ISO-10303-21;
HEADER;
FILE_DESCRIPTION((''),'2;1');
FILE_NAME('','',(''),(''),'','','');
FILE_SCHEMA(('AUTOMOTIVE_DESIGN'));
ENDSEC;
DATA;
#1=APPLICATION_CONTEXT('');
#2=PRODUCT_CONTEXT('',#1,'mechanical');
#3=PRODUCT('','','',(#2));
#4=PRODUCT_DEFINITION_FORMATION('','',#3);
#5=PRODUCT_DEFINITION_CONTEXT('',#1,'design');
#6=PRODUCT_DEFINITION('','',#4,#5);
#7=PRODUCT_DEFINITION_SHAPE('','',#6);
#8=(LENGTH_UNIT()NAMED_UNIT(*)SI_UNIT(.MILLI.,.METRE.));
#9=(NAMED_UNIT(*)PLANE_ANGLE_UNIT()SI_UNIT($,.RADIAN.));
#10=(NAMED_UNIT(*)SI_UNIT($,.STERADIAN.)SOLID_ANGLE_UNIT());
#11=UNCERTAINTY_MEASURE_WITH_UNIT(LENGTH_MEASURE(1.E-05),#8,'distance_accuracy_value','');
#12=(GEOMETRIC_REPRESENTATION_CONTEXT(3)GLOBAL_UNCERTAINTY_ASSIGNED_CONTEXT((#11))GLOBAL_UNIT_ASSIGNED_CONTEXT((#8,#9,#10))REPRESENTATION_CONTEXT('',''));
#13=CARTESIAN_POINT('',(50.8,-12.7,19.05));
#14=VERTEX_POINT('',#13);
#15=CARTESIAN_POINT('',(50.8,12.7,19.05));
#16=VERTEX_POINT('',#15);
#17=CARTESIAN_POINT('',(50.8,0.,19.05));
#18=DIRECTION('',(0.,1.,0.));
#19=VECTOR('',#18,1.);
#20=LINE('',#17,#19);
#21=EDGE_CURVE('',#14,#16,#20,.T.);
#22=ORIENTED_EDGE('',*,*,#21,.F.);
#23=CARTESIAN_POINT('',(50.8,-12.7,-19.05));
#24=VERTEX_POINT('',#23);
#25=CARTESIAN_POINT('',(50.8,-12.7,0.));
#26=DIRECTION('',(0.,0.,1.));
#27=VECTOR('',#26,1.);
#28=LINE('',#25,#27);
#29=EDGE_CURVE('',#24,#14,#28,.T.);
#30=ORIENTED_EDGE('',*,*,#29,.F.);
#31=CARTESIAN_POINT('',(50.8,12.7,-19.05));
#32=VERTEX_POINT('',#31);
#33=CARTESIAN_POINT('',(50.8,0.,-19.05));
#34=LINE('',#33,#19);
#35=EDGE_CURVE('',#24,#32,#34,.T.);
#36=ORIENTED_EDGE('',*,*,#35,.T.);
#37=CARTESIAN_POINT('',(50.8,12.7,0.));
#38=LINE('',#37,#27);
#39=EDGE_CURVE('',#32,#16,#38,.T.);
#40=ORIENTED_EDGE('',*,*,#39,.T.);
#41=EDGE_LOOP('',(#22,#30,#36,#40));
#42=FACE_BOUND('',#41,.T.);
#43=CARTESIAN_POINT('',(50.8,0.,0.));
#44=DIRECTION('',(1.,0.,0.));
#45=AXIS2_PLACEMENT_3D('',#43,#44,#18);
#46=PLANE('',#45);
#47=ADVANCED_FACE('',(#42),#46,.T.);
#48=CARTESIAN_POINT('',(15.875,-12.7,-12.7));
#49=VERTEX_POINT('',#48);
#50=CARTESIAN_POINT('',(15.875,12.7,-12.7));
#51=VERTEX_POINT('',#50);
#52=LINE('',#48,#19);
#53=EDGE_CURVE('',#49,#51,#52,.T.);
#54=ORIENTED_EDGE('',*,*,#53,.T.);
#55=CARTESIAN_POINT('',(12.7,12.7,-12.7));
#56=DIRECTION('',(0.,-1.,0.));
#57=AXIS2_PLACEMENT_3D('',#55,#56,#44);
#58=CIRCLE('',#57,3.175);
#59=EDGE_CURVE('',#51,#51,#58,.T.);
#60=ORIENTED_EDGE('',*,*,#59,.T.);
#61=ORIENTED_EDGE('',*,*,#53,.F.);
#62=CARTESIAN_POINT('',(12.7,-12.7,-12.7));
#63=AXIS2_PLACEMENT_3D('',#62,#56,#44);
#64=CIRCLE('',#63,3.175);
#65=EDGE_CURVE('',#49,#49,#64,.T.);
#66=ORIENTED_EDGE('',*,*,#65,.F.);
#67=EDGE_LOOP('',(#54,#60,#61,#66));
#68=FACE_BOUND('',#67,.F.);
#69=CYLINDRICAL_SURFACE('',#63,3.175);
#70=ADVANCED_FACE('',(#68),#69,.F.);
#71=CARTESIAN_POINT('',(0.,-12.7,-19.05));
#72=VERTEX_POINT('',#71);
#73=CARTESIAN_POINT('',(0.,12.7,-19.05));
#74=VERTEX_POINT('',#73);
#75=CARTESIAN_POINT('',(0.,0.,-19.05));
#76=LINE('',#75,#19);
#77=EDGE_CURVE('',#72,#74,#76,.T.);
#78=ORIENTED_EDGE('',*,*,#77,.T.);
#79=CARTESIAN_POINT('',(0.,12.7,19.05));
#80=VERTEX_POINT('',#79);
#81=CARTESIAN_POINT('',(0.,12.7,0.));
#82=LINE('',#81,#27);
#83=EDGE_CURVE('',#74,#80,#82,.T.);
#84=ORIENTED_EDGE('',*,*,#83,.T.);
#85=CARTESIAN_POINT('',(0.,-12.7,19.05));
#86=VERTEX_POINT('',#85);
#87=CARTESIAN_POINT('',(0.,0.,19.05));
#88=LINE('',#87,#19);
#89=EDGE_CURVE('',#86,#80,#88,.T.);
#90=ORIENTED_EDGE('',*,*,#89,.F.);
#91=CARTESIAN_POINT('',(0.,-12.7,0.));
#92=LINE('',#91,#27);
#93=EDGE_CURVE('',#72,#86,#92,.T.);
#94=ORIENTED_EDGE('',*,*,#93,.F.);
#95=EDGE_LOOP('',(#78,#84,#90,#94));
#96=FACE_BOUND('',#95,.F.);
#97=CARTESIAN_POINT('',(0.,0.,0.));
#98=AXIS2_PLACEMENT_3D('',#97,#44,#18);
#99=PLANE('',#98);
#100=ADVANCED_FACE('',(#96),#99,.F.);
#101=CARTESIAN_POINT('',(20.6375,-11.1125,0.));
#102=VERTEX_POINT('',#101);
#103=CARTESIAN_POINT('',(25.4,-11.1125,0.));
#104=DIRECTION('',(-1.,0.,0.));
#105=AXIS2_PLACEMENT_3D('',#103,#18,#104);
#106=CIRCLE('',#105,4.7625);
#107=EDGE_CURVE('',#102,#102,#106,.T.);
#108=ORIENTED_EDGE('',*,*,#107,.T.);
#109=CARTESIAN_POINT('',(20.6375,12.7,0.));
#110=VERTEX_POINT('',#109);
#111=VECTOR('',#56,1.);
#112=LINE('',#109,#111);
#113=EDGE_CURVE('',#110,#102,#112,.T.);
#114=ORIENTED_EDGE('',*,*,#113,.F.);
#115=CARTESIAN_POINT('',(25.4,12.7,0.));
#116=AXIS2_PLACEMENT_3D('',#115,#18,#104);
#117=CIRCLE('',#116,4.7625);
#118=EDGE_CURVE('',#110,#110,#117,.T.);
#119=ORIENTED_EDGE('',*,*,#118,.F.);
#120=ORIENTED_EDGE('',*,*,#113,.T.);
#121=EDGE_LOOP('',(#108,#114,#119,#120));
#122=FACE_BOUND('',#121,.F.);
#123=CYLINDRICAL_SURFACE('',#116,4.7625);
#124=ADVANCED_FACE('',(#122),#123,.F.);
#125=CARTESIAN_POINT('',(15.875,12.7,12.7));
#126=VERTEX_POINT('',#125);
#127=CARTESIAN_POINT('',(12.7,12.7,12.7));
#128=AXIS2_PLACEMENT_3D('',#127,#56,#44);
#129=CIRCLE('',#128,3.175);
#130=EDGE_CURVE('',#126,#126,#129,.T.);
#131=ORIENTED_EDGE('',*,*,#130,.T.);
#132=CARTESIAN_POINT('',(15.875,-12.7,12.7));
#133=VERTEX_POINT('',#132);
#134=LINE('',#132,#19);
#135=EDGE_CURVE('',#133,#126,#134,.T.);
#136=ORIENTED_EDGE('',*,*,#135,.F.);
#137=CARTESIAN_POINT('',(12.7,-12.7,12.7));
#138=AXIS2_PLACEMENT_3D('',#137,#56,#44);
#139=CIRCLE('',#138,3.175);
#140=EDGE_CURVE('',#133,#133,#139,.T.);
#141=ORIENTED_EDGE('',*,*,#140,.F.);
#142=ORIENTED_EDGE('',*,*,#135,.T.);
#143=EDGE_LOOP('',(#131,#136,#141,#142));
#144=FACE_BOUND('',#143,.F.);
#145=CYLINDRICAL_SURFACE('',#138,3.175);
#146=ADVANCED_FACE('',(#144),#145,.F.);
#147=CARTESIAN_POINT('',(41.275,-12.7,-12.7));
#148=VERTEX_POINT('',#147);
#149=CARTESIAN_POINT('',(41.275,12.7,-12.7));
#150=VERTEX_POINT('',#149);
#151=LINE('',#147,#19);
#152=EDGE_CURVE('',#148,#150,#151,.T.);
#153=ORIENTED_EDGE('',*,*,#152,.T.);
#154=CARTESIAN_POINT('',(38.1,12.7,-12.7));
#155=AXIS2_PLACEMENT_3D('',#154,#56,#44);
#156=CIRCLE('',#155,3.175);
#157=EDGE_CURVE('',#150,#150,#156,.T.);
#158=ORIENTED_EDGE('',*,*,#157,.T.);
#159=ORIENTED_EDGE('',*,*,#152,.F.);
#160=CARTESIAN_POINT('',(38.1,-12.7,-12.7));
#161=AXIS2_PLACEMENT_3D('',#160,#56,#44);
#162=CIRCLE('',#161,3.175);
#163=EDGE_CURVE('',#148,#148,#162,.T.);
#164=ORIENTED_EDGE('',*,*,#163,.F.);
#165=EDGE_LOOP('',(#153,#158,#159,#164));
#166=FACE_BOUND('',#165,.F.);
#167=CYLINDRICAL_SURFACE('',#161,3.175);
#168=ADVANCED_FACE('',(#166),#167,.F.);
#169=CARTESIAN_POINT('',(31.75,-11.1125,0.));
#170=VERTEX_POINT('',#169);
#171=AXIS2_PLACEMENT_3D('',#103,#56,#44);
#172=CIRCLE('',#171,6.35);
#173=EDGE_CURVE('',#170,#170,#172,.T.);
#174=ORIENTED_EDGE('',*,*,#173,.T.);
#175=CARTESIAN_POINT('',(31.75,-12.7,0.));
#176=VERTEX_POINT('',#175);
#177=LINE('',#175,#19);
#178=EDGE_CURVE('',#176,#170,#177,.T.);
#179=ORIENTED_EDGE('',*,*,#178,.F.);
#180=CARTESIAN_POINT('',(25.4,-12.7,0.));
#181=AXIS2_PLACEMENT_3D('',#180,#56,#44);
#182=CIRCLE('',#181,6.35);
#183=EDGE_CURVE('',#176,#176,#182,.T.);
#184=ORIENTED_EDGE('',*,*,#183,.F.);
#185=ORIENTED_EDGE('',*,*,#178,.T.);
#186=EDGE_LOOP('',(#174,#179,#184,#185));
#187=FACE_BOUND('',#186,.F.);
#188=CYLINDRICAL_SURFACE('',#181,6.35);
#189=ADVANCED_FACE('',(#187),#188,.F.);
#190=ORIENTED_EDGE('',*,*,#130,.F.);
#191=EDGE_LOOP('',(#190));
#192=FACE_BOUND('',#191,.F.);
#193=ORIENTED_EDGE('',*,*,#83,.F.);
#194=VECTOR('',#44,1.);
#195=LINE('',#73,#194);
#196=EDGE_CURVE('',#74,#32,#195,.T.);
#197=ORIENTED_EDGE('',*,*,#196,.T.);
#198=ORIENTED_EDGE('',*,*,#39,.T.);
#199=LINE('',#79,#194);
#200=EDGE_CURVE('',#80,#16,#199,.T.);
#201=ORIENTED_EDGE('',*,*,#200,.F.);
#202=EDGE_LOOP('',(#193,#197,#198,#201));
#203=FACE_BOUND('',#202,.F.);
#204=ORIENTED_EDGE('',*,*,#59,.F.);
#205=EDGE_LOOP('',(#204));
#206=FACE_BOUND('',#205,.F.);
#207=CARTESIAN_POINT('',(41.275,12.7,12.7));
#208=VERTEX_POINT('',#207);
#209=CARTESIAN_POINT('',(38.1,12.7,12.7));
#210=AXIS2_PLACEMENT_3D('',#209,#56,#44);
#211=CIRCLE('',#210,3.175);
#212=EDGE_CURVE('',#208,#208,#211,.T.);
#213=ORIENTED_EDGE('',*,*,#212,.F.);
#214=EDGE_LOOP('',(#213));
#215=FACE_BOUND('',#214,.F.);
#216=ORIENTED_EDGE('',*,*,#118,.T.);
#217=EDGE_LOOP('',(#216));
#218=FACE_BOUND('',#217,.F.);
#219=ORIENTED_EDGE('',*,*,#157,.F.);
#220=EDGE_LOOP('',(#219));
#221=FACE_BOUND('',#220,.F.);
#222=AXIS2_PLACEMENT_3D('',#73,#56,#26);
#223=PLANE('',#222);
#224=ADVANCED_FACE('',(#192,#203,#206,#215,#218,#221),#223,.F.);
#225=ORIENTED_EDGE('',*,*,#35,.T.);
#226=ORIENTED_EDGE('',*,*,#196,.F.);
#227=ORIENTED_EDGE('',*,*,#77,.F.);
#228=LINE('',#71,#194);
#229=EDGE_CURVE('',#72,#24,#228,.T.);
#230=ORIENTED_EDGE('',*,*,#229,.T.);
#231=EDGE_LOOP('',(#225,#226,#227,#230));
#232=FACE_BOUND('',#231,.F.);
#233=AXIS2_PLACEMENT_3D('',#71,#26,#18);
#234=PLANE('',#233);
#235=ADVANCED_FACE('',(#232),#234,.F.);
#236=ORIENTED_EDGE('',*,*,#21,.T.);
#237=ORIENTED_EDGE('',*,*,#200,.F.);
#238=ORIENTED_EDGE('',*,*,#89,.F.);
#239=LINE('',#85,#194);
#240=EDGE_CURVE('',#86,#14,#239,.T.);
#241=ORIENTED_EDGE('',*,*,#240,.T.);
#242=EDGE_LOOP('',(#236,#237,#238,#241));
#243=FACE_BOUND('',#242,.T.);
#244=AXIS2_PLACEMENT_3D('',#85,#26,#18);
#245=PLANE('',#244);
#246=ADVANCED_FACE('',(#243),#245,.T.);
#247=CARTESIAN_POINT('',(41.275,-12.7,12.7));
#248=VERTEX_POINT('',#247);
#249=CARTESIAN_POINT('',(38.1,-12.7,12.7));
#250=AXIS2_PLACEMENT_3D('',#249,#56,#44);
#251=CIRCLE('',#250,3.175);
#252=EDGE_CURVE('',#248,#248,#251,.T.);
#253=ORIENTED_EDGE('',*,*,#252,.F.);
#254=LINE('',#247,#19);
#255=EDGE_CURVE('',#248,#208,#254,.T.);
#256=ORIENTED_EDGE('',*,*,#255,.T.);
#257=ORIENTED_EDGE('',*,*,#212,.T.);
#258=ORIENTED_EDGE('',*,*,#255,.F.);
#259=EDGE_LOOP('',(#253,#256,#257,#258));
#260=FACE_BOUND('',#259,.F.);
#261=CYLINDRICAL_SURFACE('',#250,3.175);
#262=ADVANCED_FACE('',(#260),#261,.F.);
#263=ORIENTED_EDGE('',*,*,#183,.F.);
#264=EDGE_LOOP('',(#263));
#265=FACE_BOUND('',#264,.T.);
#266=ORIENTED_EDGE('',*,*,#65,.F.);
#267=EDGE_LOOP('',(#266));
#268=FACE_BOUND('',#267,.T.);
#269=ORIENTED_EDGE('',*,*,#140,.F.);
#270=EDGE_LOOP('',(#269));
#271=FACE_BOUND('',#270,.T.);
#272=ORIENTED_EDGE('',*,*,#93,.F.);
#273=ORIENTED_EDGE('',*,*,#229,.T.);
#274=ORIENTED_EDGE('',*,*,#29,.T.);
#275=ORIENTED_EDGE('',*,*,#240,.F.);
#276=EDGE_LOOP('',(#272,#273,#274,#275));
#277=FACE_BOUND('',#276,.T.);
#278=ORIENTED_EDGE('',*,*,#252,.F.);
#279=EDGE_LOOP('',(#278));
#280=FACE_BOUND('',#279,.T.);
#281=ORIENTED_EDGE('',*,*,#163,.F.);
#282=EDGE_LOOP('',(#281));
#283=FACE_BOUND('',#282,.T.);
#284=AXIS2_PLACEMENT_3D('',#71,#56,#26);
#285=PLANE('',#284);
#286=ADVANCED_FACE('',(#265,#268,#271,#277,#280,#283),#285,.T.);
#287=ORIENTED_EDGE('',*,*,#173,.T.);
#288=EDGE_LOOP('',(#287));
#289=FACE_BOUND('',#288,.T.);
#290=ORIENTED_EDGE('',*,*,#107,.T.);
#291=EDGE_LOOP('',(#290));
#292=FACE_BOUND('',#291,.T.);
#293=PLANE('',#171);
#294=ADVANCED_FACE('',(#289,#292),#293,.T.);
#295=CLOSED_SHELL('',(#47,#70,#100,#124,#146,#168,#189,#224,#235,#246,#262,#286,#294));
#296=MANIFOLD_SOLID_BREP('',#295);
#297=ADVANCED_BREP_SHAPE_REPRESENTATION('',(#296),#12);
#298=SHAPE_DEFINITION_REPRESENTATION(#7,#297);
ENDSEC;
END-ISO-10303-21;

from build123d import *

# Parameters (mm, degrees)
F0_W     = 25.4
F0_H     = 38.1
F1_DEPTH = 50.8
F2_R     = 3.175
F3_DEPTH = 25.4
F4_R     = 6.35
F5_DEPTH = 1.5875
F6_R     = 4.7625
F7_DEPTH = 25.4


with BuildPart() as f1:
    # F0 (on Right) → F1 (new body)
    with BuildSketch(Plane.YZ):
        Rectangle(F0_W, F0_H)
    extrude(amount=F1_DEPTH)

    # F2 (on face) → F3 (cut)
    with BuildSketch(Plane.XZ.offset(12.7)):
        with Locations((12.7, 12.7)):
            Circle(F2_R)
        with Locations((38.1, -12.7)):
            Circle(F2_R)
        with Locations((38.1, 12.7)):
            Circle(F2_R)
        with Locations((12.7, -12.7)):
            Circle(F2_R)
    extrude(amount=-F3_DEPTH, mode=Mode.SUBTRACT)

    # F4 (on face) → F5 (cut)
    with BuildSketch(Plane.XZ.offset(12.7)):
        with Locations((25.4, 0)):
            Circle(F4_R)
    extrude(amount=-F5_DEPTH, mode=Mode.SUBTRACT)

    # F6 (on face) → F7 (cut)
    with BuildSketch(Plane(origin=(0, 12.7, 0), x_dir=(-1, 0, 0), z_dir=(0, 1, 0))):
        with Locations((-25.4, 0)):
            Circle(F6_R)
    extrude(amount=-F7_DEPTH, mode=Mode.SUBTRACT)


solid = f1.part
